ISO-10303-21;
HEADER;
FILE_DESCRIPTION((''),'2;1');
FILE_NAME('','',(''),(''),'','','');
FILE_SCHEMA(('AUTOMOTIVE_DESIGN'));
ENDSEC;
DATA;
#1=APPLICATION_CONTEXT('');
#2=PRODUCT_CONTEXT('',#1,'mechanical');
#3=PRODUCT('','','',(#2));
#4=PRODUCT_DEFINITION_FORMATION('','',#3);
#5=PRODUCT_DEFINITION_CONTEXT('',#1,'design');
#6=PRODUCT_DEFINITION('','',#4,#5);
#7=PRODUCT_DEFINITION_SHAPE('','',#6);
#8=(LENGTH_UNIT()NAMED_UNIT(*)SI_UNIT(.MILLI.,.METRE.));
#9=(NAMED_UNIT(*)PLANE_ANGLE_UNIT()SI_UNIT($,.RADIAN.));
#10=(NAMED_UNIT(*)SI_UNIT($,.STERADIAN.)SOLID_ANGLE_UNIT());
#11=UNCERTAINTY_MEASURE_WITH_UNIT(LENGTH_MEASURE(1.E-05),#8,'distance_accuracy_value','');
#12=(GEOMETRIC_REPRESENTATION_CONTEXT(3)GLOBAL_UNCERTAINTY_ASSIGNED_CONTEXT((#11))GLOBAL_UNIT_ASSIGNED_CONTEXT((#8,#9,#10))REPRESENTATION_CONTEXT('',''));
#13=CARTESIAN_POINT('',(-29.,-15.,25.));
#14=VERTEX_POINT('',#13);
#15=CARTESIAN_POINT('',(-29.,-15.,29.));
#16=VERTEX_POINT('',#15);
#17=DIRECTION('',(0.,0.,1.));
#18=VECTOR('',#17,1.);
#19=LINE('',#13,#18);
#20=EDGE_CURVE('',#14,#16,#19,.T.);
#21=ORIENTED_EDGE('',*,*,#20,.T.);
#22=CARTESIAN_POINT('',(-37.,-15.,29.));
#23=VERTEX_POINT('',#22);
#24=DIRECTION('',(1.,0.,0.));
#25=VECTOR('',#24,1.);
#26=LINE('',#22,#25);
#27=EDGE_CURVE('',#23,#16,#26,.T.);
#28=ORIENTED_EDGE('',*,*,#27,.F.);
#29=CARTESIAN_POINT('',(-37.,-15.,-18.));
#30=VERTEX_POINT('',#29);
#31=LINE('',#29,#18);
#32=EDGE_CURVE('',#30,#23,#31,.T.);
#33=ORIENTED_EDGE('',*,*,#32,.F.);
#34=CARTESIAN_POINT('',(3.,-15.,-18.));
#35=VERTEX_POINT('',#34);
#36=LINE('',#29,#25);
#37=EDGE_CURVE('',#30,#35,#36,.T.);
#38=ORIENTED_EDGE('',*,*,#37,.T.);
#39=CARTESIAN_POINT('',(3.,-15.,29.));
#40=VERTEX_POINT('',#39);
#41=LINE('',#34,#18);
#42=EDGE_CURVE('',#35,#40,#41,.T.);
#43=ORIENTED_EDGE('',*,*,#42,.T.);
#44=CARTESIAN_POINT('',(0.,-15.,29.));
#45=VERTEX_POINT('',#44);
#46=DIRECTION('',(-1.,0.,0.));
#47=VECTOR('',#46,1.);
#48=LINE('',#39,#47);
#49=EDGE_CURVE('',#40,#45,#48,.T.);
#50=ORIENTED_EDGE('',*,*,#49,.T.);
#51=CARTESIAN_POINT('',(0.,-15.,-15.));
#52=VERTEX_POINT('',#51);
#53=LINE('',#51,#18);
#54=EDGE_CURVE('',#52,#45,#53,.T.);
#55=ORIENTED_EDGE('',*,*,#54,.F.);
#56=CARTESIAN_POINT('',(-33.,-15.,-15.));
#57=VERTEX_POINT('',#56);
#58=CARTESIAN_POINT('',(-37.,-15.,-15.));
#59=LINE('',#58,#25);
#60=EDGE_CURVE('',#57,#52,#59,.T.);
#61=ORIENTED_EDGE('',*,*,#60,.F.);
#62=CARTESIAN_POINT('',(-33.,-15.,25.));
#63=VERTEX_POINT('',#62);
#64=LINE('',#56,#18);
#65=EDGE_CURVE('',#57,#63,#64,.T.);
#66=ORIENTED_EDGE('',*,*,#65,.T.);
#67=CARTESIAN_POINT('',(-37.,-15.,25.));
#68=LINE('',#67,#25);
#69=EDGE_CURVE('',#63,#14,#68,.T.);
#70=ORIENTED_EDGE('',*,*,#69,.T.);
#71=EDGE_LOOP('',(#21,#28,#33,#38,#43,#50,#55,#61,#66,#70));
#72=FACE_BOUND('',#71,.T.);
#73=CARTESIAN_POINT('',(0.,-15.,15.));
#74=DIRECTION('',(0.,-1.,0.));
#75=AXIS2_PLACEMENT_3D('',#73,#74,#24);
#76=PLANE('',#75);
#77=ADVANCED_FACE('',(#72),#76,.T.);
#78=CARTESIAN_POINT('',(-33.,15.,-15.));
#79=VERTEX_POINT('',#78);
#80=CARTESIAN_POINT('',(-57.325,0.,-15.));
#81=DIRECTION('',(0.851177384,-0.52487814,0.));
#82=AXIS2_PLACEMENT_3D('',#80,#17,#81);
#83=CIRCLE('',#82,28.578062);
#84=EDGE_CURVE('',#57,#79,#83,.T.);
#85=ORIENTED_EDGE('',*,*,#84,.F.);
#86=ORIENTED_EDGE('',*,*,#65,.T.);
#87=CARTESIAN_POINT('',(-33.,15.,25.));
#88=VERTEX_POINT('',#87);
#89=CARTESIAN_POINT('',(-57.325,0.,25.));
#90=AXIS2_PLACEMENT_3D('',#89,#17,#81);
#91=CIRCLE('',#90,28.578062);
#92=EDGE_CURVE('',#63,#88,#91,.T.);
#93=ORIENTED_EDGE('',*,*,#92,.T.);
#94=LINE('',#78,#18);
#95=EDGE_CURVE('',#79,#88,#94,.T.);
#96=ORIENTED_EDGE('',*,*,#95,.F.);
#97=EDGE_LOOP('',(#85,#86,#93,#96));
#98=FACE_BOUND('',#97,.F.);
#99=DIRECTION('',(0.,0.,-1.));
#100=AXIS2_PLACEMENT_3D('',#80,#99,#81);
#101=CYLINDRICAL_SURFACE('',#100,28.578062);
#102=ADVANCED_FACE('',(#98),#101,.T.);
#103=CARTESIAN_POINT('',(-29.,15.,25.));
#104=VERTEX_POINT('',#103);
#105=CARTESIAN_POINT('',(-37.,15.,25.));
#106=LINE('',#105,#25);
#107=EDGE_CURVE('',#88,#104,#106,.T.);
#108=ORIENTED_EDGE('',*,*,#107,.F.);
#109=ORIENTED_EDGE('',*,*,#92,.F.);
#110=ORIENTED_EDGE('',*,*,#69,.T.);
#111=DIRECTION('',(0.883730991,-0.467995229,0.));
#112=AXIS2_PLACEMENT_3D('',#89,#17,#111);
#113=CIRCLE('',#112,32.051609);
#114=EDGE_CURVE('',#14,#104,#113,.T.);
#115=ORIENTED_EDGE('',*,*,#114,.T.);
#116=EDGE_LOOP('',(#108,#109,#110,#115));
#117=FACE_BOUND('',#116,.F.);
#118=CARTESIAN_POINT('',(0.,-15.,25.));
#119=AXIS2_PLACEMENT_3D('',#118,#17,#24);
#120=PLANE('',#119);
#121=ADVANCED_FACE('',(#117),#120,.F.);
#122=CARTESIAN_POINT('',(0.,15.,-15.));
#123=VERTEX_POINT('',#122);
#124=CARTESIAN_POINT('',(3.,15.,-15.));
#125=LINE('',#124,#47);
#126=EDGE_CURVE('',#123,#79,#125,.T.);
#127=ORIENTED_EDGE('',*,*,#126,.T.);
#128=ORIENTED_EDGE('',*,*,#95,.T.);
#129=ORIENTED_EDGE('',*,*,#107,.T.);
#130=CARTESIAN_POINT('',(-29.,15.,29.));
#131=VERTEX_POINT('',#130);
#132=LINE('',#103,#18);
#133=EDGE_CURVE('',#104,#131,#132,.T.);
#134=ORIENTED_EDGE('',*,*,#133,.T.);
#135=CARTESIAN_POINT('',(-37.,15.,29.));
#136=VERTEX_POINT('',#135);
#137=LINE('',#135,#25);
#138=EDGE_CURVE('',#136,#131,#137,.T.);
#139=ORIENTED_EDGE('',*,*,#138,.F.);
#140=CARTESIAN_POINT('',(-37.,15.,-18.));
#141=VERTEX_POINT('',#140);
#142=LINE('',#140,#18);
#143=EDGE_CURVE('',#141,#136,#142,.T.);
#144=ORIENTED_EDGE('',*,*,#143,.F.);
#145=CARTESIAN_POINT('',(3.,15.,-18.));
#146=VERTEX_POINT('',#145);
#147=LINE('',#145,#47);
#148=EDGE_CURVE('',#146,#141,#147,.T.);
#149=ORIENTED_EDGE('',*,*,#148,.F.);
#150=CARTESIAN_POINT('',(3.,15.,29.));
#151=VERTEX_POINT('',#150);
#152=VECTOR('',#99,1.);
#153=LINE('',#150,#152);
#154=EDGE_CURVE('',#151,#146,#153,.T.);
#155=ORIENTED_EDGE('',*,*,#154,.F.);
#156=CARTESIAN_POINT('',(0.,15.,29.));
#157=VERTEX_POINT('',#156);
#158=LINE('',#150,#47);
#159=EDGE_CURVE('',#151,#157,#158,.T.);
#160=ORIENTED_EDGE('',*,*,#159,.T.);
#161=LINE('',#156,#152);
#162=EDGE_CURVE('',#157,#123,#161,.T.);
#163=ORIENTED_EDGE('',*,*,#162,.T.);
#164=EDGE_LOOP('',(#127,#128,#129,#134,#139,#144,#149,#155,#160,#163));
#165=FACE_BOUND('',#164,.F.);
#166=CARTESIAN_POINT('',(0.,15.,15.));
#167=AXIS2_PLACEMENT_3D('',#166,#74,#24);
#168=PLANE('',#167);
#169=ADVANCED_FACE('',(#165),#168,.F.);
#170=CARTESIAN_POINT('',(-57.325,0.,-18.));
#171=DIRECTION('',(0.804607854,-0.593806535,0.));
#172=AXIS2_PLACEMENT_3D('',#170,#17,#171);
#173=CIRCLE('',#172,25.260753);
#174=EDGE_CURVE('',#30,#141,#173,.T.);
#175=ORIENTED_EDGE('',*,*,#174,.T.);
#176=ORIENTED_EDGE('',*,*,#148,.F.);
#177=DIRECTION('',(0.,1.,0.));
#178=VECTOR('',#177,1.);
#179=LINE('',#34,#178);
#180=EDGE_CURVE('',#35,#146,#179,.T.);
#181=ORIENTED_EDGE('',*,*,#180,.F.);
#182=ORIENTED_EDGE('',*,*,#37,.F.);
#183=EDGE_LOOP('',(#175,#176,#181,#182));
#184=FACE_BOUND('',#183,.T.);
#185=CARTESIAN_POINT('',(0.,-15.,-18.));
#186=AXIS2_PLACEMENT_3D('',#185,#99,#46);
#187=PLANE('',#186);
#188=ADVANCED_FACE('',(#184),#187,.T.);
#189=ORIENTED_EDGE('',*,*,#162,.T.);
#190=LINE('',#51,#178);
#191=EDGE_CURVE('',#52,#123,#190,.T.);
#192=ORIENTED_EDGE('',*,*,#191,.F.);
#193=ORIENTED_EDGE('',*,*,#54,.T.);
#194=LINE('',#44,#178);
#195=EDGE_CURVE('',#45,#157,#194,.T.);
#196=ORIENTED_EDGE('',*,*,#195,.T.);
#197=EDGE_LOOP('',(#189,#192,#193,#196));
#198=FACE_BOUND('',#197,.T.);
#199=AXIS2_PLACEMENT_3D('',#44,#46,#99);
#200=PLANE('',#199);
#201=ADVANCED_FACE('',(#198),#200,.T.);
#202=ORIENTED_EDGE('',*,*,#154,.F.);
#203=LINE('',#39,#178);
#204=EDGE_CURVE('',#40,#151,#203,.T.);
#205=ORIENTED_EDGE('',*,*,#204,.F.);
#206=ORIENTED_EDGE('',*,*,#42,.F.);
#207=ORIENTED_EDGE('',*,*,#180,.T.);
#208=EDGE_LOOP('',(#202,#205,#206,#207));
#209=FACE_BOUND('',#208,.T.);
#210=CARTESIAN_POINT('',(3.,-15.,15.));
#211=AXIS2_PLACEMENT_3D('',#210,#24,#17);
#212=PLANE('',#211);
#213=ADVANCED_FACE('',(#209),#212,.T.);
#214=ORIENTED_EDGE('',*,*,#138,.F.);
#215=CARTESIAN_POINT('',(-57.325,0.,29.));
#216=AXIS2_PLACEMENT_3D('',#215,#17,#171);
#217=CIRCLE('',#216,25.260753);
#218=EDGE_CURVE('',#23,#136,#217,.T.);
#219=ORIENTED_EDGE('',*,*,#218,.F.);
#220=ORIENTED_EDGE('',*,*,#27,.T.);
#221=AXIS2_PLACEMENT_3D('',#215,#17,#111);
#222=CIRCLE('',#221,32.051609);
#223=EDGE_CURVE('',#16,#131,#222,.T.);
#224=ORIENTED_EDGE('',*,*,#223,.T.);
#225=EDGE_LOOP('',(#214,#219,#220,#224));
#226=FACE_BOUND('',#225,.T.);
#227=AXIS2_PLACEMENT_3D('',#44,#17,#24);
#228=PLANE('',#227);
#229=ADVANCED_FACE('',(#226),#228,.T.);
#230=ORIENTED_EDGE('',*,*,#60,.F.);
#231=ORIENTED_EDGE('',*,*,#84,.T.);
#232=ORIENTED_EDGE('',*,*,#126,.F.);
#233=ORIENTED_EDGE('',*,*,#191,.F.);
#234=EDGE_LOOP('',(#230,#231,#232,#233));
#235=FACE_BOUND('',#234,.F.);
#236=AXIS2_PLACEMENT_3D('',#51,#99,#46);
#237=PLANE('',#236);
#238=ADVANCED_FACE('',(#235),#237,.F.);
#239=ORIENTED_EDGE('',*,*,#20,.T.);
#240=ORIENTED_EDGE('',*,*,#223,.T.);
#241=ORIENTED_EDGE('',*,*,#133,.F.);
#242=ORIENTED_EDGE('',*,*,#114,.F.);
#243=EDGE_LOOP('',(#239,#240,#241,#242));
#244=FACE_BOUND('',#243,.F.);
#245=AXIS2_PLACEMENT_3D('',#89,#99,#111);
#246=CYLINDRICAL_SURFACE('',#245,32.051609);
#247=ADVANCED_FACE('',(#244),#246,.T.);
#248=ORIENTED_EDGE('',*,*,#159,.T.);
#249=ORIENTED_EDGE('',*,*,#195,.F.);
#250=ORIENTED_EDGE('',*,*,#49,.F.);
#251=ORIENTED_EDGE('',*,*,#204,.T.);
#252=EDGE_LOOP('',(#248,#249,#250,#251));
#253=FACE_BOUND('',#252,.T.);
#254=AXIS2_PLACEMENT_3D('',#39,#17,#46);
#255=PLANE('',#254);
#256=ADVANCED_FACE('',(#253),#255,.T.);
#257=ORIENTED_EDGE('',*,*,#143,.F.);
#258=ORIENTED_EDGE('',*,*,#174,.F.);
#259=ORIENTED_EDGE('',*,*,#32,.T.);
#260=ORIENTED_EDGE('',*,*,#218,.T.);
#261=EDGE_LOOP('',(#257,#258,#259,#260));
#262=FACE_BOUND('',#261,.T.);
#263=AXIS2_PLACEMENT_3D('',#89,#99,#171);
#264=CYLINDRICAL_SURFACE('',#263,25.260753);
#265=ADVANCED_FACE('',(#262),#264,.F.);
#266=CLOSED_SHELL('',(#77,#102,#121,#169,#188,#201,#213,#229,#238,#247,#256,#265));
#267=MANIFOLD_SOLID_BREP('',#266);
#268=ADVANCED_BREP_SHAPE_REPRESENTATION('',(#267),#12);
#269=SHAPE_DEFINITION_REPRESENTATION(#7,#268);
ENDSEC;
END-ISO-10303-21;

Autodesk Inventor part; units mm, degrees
ref_plane "YZ Plane" through (0, 0, 0) normal (1, 0, 0) x (0, 1, 0)
ref_plane "XZ Plane" through (0, 0, 0) normal (0, 1, 0) x (-1, 0, 0)
ref_plane "XY Plane" through (0, 0, 0) normal (0, 0, 1) x (1, 0, 0)
sketch "Sketch1" plane through (0, 0, 0) normal (1, 0, 0) x (0, 1, 0)
  line L0 (-15, -15) -> (15, -15)
  line L1 (15, -15) -> (15, 15)
  line L2 (15, 15) -> (-15, 15)
  line L3 (-15, 15) -> (-15, -15)
  line L4 (-15, -15) -> (15, 15) construction
  line L5 (15, -15) -> (-15, 15) construction
  point P0 (0, 0)
  dimension "d0" = 30
  dimension "d1" = 30
extrude "Extrusion1" add sketch "Sketch1" along normal blind 3
sketch "Sketch2" plane through (0, -15, -15) normal (0, 0, -1) x (-1, 0, 0)
  line L0 (0, 30) -> (-3, 30) projected
  line L1 (-3, 30) -> (37, 30)
  line L2 (37, 30) -> (37, 0)
  line L3 (37, 0) -> (-3, 0)
  line L4 (-3, 0) -> (-3, 30)
  point P0 (0, 15)
  dimension "d4" = 40
  dimension "d5" = 30
extrude "Extrusion2" add sketch "Sketch2" along normal blind 3
sketch "Sketch3" plane through (0, -15, -15) normal (0, 0, 1) x (1, 0, 0)
  line L0 (0, 0) -> (-37, 0) projected
  line L1 (-37, 0) -> (-37, 30) projected
  arc A0 (-37, 0) -> (-37, 30) centre (-57.325, 15) ccw
  point P0 (0, 15)
extrude "Extrusion3" cut sketch "Sketch3" against normal blind 3
sketch "Sketch4" plane through (0, -15, -15) normal (0, 0, 1) x (1, 0, 0)
  line L0 (-37, 30) -> (0, 30) projected
  arc A0 (-37, 0) -> (-37, 30) centre (-57.325, 15) ccw projected
  line L1 (-33.6755, 30) -> (-37, 30)
  point P0 (0, 15)
sketch "Sketch5" plane through (0, -15, -15) normal (0, 0, 1) x (1, 0, 0)
  arc A0 (-37, 0) -> (-37, 30) centre (-57.325, 15) ccw projected
  line L0 (-37, 30) -> (-33, 30)
  line L1 (-37, 30) -> (0, 30) projected
  line L2 (0, 0) -> (-37, 0) projected
  arc A1 (-33, 0) -> (-33, 30) centre (-57.325, 15) ccw
  line L3 (-33, 0) -> (-37, 0)
  arc A2 (-37, 0) -> (-37, 30) centre (-57.325, 15) ccw
  point P0 (0, 15)
  dimension "d10" = 4
extrude "Extrusion4" add sketch "Sketch5" along normal blind 40
sketch "Sketch6" plane through (0, -15, 25) normal (0, 0, 1) x (1, 0, 0)
  line L0 (-33, 30) -> (-37, 30) projected
  line L1 (-37, 30) -> (-29, 30)
  arc A0 (-37, 0) -> (-37, 30) centre (-57.325, 15) ccw projected
  line L2 (-37, 0) -> (-29, 0)
  arc A1 (-29, 0) -> (-29, 30) centre (-57.325, 15) ccw
  arc A2 (-37, 0) -> (-37, 30) centre (-57.325, 15) ccw
  point P0 (0, 15)
  dimension "d13" = 8
extrude "Extrusion5" add sketch "Sketch6" along normal blind 4
sketch "Sketch7" plane through (0, -15, 15) normal (0, -1, 0) x (1, 0, 0)
  point P0 (0, -15)
sketch "Sketch8" plane through (0, -15, 15) normal (0, 0, 1) x (1, 0, 0)
  point P0 (0, 15)
sketch "Sketch9" plane through (0, -15, 15) normal (0, -1, 0) x (1, 0, 0)
  line L0 (3, 0) -> (3, -33) projected
  line L1 (3, 0) -> (3, 14)
  line L2 (3, 14) -> (0, 14)
  line L3 (0, 0) -> (3, 0) projected
  line L4 (0, 14) -> (0, 0)
  line L5 (0, 0) -> (3, 0)
  point P0 (0, -15)
  dimension "d16" = 14
extrude "Extrusion6" add sketch "Sketch9" against normal blind 30
sketch "Sketch10" plane through (0, 0, 0) normal (-1, 0, 0) x (0, 0, 1)
  point P0 (0, 0)
properties part number "headphones_hookl"
